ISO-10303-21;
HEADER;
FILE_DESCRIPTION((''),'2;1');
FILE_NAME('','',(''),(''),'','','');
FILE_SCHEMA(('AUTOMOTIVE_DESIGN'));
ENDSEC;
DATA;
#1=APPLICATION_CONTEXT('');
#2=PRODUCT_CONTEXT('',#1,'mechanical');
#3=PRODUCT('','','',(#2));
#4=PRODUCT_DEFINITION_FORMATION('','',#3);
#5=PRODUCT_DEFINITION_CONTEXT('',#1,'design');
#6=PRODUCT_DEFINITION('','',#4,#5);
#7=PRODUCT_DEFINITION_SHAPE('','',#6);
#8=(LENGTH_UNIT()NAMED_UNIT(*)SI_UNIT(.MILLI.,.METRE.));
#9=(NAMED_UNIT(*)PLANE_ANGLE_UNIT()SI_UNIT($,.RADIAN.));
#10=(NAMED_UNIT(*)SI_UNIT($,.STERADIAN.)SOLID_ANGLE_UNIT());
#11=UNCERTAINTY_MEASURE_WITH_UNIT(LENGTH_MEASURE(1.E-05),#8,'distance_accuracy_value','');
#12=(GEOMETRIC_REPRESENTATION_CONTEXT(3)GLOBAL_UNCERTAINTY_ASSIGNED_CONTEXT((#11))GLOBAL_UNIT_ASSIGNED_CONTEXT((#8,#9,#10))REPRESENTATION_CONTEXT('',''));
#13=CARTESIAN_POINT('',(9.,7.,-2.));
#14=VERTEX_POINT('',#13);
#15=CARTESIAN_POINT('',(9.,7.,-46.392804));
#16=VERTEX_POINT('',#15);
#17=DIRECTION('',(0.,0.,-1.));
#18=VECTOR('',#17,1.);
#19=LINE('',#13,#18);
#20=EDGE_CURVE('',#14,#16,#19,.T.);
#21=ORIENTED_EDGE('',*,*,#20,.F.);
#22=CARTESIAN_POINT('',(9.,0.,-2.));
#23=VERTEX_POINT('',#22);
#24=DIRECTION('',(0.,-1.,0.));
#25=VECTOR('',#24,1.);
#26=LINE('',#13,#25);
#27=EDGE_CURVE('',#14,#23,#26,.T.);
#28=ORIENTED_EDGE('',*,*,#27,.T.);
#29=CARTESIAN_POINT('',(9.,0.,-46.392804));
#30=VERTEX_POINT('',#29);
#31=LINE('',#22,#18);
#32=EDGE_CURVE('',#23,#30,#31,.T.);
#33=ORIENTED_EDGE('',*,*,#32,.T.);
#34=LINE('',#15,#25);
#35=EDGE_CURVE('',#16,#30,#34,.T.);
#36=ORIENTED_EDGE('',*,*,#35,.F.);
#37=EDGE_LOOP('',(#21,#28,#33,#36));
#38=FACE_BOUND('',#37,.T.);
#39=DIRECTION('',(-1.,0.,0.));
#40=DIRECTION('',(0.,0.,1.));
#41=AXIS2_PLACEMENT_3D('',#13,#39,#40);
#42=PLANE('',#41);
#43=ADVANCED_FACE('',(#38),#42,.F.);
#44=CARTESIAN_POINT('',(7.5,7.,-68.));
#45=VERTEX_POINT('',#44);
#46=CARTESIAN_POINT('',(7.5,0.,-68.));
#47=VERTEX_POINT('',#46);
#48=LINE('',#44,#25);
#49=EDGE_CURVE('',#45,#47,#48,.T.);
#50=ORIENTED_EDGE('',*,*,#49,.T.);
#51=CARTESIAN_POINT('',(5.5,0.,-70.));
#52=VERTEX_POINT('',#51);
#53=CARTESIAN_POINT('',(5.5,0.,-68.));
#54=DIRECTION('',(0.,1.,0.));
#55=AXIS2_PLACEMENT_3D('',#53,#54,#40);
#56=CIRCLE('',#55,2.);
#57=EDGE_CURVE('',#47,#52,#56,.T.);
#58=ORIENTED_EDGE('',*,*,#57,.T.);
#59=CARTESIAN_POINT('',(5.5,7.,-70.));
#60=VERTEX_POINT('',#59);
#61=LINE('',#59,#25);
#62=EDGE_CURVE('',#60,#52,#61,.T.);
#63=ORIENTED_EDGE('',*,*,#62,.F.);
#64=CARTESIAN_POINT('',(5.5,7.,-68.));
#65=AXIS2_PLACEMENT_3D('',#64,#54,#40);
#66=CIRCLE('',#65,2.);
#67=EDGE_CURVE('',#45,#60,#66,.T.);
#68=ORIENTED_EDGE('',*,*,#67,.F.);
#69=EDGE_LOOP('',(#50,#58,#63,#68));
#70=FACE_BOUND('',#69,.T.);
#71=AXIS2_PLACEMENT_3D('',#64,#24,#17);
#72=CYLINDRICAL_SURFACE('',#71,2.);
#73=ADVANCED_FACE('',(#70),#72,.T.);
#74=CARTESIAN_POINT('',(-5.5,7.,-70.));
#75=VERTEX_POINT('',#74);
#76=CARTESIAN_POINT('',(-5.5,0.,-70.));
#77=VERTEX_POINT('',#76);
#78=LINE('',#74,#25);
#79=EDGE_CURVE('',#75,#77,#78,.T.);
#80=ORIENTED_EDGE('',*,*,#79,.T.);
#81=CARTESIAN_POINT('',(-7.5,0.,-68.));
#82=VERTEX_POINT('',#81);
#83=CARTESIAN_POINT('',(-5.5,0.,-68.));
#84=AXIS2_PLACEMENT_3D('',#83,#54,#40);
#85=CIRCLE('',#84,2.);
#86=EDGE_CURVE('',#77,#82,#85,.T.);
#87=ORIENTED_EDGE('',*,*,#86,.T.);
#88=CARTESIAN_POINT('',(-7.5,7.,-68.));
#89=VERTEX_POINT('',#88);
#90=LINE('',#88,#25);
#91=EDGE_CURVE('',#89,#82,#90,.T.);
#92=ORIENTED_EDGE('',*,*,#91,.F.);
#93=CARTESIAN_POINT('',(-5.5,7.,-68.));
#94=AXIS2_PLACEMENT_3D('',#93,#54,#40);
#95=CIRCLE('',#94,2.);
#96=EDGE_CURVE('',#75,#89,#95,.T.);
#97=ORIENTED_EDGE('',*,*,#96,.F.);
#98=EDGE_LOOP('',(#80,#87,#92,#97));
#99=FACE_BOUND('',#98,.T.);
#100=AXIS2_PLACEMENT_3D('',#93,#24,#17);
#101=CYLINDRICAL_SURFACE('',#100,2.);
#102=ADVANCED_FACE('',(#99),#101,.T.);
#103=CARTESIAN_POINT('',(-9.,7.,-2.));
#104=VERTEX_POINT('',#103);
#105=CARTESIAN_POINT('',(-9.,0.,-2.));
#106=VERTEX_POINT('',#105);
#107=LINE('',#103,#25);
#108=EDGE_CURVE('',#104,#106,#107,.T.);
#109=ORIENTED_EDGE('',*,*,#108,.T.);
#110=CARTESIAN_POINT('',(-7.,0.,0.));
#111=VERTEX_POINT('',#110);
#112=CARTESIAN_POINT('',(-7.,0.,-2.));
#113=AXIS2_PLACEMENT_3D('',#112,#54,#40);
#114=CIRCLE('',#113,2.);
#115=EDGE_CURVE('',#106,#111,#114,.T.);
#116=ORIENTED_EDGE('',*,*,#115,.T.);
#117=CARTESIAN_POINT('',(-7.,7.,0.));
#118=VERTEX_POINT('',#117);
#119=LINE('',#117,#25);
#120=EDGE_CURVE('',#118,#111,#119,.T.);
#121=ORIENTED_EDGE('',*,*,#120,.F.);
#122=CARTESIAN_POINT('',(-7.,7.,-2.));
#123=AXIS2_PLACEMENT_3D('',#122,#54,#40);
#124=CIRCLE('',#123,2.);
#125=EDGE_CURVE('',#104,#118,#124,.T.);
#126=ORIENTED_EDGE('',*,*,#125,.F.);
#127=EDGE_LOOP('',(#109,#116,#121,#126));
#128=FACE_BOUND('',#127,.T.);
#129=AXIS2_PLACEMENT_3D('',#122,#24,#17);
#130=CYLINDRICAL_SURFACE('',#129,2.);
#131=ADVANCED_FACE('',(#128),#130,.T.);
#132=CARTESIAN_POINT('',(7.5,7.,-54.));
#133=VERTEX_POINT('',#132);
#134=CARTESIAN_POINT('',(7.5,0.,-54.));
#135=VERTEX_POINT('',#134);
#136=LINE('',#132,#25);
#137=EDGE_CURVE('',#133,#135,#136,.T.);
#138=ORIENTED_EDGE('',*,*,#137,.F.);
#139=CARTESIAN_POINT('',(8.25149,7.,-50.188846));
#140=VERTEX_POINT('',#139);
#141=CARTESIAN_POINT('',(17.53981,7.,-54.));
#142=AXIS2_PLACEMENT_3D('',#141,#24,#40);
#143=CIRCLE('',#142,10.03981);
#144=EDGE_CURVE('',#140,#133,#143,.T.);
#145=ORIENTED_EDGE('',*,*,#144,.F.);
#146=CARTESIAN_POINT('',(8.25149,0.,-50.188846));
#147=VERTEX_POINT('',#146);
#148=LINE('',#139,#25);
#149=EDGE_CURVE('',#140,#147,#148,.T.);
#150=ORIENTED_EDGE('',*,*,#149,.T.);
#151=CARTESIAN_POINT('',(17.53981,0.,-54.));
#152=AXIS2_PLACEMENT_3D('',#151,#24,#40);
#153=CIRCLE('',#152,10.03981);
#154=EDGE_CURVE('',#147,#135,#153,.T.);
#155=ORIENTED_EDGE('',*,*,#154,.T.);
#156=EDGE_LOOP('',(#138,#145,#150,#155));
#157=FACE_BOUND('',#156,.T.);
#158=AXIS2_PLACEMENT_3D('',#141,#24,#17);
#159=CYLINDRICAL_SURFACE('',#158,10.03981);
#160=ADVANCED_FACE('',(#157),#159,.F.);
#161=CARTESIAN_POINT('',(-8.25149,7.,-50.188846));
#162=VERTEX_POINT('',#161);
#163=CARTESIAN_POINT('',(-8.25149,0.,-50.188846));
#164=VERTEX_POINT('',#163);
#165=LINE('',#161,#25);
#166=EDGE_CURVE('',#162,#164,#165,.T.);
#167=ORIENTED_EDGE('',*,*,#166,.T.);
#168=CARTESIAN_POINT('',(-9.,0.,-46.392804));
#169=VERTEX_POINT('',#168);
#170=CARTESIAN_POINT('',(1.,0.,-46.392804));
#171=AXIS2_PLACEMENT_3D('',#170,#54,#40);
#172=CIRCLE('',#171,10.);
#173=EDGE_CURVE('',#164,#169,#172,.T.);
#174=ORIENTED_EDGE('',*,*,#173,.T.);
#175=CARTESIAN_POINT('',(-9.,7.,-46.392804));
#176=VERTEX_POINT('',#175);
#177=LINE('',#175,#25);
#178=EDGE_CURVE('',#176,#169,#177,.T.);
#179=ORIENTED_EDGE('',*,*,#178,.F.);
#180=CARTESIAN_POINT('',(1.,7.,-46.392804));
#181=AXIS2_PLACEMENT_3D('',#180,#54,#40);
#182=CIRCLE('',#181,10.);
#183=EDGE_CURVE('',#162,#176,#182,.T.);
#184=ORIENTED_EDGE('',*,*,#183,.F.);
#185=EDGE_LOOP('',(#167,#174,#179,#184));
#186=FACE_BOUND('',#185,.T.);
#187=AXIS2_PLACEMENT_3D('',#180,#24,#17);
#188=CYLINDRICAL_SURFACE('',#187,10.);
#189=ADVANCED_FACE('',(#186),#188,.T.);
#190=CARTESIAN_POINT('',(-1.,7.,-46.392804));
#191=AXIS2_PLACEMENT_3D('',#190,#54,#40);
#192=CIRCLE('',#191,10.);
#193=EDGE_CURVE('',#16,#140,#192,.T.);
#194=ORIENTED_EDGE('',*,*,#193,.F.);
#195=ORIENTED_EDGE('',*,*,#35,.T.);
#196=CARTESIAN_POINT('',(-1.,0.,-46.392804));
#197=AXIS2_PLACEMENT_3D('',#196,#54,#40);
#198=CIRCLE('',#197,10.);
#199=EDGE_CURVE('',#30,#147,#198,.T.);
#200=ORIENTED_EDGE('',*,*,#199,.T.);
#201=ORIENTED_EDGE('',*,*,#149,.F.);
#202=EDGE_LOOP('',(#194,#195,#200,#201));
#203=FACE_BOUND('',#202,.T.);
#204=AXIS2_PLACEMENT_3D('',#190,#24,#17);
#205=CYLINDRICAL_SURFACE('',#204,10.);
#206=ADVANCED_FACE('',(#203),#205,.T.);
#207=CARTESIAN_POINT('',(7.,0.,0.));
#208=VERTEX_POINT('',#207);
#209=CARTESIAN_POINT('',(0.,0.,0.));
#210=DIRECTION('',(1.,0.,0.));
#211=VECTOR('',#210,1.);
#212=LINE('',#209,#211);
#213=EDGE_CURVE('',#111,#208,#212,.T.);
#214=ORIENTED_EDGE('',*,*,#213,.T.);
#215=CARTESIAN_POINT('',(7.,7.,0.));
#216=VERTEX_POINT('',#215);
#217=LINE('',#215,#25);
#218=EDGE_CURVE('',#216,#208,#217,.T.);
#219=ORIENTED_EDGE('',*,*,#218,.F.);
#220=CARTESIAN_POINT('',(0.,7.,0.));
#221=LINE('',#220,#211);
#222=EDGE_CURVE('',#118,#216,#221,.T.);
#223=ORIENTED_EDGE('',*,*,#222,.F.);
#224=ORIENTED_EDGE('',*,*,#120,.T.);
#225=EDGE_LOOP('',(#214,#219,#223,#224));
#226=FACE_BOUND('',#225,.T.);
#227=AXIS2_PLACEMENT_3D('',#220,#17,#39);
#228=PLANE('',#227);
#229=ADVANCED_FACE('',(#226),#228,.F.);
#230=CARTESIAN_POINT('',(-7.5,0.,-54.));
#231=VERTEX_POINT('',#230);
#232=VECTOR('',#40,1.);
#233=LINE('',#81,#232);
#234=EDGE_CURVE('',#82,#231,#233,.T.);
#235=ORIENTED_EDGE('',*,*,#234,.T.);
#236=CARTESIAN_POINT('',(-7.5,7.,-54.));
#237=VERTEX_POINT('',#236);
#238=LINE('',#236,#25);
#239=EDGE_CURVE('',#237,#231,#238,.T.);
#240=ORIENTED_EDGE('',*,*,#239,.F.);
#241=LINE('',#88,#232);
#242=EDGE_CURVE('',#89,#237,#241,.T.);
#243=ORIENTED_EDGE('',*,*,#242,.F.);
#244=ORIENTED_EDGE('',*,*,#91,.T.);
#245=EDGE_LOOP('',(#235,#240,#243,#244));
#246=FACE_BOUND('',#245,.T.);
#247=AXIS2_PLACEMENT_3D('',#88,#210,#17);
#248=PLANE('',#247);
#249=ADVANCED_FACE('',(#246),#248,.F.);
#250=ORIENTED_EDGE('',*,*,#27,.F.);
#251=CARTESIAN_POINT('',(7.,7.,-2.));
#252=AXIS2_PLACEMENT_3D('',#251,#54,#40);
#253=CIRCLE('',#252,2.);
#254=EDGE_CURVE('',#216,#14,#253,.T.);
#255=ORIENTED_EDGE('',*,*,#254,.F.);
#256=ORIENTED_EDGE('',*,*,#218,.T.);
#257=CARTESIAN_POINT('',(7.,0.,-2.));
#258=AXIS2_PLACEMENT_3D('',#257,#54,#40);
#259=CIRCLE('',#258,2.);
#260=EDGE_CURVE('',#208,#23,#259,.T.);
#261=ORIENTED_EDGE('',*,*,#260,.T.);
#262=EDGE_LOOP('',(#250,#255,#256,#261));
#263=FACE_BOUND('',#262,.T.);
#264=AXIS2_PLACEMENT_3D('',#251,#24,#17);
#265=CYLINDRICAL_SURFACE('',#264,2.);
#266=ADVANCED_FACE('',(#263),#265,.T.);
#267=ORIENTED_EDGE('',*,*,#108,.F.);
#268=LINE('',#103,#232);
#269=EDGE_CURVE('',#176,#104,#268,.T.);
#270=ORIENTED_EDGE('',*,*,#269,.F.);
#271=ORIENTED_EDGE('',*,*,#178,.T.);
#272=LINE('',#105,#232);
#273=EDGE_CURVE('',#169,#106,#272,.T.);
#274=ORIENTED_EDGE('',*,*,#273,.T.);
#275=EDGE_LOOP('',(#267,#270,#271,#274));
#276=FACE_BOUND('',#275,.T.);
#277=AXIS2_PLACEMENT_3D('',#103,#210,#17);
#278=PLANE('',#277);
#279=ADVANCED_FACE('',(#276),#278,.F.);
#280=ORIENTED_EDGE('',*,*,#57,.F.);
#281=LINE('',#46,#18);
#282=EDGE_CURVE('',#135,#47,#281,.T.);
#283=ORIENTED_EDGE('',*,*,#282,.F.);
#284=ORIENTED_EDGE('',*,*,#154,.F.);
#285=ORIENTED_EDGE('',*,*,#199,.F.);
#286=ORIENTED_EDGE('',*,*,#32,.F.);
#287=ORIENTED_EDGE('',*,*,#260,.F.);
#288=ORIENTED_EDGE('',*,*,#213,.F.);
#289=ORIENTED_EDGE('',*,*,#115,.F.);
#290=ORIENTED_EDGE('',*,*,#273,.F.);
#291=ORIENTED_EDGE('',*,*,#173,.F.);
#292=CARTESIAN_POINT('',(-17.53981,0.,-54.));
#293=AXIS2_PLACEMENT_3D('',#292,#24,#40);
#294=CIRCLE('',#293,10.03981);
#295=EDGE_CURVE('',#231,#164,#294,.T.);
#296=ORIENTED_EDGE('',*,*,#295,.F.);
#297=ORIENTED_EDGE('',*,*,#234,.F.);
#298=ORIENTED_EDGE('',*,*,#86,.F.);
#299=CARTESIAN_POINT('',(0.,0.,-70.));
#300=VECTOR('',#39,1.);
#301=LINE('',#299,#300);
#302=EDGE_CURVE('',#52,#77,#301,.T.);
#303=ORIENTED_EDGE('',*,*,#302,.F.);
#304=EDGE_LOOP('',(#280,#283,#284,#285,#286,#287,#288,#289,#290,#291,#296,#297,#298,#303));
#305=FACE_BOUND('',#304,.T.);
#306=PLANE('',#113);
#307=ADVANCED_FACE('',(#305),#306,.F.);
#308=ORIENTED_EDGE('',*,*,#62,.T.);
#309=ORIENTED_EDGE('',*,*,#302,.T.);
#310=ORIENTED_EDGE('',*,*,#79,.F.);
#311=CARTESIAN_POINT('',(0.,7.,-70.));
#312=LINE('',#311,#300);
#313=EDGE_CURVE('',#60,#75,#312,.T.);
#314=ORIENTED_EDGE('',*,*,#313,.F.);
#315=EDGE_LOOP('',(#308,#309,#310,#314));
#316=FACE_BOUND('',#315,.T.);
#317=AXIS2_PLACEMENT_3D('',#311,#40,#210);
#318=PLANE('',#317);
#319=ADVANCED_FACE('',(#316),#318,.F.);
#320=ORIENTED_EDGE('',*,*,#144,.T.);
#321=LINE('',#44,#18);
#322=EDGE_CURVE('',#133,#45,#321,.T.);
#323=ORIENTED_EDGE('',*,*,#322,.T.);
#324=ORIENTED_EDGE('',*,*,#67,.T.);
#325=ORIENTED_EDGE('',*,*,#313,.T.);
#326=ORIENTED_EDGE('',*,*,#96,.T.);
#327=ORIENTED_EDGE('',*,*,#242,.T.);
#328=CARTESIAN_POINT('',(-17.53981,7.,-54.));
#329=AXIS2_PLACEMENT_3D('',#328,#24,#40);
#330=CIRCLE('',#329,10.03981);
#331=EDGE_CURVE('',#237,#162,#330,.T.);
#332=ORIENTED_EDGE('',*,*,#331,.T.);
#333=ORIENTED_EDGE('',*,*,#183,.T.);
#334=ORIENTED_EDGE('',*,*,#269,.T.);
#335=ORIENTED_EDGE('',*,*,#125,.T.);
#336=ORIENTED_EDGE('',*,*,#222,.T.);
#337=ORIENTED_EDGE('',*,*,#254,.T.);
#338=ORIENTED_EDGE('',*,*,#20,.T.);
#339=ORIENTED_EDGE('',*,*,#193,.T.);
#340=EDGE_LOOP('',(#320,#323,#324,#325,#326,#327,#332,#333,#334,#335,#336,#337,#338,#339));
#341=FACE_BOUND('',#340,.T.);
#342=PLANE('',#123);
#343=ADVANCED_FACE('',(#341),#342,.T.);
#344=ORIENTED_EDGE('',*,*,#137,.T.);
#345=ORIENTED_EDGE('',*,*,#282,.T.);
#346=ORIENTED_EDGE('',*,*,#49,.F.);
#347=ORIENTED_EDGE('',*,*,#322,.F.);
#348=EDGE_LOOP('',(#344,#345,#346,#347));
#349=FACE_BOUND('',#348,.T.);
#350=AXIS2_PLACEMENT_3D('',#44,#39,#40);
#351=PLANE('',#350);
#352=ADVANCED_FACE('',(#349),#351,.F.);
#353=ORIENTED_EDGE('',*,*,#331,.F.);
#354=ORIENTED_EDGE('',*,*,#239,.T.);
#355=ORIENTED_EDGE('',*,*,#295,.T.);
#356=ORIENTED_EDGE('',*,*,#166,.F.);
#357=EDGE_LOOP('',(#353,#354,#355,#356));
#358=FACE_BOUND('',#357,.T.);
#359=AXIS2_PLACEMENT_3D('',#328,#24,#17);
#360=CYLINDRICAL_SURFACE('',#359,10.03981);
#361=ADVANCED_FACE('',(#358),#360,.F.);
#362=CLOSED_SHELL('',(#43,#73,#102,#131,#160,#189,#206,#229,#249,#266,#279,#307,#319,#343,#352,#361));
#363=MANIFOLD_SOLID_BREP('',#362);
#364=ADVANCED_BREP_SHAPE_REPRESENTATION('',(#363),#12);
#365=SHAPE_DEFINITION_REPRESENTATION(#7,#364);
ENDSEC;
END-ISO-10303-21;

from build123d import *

# Parameters (mm, degrees)
EXTRUDE_1_DEPTH = 7


with BuildPart() as part:
    # 草图2 → 凸台-拉伸1 (new body)
    with BuildSketch(Plane(origin=(0, 0, 0), x_dir=(1, 0, 0), z_dir=(0, 1, 0))):
        with BuildLine():
            Line((0, 0), (7, 0))
            ThreePointArc((7, 0), (8.414213562, 0.585786438), (9, 2))
            Line((9, 2), (9, 46.39280404))
            ThreePointArc((9, 46.39280404), (8.811088093, 48.327371287), (8.251489914, 50.188845976))
            ThreePointArc((8.251489914, 50.188845976), (7.689663967, 52.057731217), (7.5, 53.999999998))
            Line((7.5, 53.999999998), (7.5, 67.999999998))
            ThreePointArc((7.5, 67.999999998), (6.914213562, 69.41421356), (5.5, 69.999999998))
            Line((5.5, 69.999999998), (0, 69.999999998))
            Line((0, 69.999999998), (-5.5, 69.999999998))
            ThreePointArc((-5.5, 69.999999998), (-6.914213562, 69.41421356), (-7.5, 67.999999998))
            Line((-7.5, 67.999999998), (-7.5, 53.999999998))
            ThreePointArc((-7.5, 53.999999998), (-7.689663967, 52.057731217), (-8.251489914, 50.188845976))
            ThreePointArc((-8.251489914, 50.188845976), (-8.811088093, 48.327371287), (-9, 46.39280404))
            Line((-9, 46.39280404), (-9, 2))
            ThreePointArc((-9, 2), (-8.414213562, 0.585786438), (-7, 0))
            Line((-7, 0), (0, 0))
        make_face()
    extrude(amount=EXTRUDE_1_DEPTH)


solid = part.part
